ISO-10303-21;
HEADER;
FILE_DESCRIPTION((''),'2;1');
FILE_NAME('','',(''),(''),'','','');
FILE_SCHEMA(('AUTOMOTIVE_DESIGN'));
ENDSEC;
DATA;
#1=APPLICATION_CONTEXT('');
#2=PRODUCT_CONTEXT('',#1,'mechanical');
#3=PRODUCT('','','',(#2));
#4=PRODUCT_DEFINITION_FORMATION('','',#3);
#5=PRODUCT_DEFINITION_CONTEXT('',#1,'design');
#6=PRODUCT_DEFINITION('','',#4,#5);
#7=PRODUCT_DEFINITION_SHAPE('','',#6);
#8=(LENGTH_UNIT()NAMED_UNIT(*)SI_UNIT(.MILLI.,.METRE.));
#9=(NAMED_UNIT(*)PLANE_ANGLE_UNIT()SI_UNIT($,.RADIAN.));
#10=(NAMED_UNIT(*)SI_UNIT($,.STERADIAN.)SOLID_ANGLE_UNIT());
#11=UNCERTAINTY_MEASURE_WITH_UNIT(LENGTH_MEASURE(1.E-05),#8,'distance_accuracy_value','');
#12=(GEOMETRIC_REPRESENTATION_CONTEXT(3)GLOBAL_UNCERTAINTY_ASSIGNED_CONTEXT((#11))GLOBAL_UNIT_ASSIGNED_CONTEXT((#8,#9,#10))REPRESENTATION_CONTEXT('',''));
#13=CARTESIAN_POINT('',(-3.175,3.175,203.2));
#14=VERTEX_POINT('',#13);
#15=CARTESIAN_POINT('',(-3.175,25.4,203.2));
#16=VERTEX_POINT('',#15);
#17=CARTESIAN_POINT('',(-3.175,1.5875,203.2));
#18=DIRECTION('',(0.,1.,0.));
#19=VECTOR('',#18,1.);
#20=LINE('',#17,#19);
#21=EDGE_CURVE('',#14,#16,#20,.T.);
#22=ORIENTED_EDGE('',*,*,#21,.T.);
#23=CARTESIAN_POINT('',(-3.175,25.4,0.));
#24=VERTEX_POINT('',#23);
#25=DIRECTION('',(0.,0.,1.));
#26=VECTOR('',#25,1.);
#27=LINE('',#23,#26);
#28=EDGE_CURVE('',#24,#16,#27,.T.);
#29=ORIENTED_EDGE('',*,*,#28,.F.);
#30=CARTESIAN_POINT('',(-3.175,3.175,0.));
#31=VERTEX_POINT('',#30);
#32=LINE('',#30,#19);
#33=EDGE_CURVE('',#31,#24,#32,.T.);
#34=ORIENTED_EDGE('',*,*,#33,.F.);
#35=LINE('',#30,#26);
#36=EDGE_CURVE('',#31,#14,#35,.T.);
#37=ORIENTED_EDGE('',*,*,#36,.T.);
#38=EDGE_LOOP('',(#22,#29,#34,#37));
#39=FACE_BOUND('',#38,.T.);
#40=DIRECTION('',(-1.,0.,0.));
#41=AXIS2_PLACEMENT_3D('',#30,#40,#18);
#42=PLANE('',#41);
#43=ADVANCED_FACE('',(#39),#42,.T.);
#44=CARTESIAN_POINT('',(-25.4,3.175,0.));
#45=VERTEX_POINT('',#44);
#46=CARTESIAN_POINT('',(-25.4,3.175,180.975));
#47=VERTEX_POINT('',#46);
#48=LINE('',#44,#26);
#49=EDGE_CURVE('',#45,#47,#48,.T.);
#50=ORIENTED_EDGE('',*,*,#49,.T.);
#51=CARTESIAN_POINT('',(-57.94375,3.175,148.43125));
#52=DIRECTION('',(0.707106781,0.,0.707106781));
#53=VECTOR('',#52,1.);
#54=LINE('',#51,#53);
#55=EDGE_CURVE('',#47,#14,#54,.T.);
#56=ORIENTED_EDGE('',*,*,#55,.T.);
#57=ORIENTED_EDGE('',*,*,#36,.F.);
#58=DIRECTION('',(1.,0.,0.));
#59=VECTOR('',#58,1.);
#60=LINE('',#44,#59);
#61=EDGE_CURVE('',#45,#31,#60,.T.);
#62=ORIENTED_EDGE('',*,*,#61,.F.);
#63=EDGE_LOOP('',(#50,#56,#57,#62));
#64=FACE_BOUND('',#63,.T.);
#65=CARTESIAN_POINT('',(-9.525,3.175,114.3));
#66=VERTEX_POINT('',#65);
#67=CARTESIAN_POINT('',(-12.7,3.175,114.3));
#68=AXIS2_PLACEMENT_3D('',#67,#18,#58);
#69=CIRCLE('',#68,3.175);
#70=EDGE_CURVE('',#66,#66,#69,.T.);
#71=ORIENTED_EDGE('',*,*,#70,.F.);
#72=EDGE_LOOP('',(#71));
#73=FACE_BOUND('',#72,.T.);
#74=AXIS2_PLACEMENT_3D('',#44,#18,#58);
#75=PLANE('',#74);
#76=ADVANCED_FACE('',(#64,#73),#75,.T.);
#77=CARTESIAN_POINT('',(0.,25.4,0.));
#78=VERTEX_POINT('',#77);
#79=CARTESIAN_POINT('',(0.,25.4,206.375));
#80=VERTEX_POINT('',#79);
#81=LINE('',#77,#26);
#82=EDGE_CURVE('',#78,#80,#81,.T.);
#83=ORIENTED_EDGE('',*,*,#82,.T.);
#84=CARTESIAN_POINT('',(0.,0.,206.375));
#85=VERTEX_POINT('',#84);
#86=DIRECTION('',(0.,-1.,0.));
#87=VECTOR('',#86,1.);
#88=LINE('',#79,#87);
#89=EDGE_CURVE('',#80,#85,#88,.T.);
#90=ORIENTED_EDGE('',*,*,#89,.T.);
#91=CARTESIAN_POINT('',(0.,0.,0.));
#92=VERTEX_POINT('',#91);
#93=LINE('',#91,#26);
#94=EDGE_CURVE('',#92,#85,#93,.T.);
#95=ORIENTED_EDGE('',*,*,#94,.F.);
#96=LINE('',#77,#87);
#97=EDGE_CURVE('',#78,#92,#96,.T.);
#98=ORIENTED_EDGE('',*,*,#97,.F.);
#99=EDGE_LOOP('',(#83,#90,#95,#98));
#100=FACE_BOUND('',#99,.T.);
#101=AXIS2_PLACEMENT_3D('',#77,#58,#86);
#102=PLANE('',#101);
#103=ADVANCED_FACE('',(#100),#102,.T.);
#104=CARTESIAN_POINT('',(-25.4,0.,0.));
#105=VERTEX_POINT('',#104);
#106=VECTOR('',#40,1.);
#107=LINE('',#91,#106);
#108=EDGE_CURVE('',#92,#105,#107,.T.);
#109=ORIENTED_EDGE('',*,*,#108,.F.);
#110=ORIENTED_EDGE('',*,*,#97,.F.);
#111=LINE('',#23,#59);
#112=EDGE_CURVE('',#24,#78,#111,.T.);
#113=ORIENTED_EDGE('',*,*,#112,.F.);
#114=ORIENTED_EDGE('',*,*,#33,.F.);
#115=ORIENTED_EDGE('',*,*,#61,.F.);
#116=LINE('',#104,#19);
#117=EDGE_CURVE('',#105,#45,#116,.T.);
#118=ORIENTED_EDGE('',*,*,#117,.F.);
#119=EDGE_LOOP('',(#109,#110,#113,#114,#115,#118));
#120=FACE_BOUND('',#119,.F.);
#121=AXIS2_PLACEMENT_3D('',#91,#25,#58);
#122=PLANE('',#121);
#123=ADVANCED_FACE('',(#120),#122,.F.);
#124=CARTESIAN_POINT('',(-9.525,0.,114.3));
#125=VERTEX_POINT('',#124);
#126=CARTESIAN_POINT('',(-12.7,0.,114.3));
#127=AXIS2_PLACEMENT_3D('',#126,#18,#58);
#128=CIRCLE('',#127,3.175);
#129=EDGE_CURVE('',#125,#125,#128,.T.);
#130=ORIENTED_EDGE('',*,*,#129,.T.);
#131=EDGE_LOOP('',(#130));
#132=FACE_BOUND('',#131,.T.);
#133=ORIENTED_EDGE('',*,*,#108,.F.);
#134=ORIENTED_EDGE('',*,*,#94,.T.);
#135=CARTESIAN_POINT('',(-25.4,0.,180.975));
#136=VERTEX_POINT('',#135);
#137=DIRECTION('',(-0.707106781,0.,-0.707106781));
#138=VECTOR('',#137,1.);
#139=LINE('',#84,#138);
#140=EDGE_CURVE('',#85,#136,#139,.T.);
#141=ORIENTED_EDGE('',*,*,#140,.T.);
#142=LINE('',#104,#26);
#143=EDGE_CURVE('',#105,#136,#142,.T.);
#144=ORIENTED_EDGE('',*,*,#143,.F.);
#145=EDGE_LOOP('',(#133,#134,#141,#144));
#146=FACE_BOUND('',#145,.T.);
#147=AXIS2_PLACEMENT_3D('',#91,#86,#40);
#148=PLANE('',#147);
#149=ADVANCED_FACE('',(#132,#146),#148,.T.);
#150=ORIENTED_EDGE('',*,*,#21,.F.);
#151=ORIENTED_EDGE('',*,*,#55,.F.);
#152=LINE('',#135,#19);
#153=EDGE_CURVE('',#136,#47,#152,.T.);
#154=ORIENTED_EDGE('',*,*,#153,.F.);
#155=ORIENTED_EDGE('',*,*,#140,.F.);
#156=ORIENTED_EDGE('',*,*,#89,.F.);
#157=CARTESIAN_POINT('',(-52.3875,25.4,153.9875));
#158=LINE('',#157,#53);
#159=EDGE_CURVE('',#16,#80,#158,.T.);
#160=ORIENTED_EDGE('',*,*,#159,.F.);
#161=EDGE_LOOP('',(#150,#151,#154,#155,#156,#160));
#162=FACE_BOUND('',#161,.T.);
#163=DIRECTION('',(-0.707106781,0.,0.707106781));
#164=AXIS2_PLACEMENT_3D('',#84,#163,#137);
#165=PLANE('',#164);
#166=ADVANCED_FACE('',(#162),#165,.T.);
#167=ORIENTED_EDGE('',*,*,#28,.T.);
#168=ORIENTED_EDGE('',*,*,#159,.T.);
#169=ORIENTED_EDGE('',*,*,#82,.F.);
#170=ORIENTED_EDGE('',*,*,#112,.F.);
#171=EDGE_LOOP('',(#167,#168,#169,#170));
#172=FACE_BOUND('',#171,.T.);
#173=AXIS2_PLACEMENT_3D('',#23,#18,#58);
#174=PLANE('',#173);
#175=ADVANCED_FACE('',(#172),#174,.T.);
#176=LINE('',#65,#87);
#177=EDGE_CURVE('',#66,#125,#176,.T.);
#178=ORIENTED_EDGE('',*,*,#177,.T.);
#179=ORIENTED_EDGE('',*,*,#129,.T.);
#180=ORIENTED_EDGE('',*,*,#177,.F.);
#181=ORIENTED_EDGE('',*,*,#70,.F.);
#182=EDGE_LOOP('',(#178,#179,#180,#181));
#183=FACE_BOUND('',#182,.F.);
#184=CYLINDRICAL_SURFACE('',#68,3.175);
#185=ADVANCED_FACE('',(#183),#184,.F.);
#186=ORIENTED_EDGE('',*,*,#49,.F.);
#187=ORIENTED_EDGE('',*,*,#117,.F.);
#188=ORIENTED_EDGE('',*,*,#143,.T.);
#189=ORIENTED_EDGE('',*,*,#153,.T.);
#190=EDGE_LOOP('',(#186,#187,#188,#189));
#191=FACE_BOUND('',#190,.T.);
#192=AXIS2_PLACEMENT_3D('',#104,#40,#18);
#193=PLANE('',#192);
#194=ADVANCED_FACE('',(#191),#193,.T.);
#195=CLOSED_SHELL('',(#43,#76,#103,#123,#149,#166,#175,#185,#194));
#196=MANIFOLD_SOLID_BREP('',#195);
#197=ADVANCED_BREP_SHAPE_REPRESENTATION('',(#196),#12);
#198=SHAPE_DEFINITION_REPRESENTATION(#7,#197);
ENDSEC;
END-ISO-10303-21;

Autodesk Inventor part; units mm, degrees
ref_plane "YZ Plane" through (0, 0, 0) normal (1, 0, 0) x (0, 1, 0)
ref_plane "XZ Plane" through (0, 0, 0) normal (0, 1, 0) x (-1, 0, 0)
ref_plane "XY Plane" through (0, 0, 0) normal (0, 0, 1) x (1, 0, 0)
sketch "Sketch1" plane through (0, 0, 0) normal (0, 0, 1) x (1, 0, 0)
  line L0 (-25.4, 3.175) -> (-3.175, 3.175)
  line L1 (0, 0) -> (-25.4, 0)
  line L2 (-25.4, 0) -> (-25.4, 3.175)
  line L3 (-3.175, 3.175) -> (-3.175, 25.4)
  line L4 (-3.175, 25.4) -> (0, 25.4)
  line L5 (0, 25.4) -> (0, 0)
  dimension "d0" = 25.4
  dimension "d1" = 25.4
  dimension "d2" = 3.175
  dimension "d3" = 3.175
extrude "Extrusion1" add sketch "Sketch1" along normal blind 206.375
sketch "Sketch2" plane through (-25.4, 0, 0) normal (0, -1, 0) x (1, 0, 0)
  line L0 (25.4, 206.375) -> (0, 206.375) projected
  line L1 (0, 0) -> (0, 206.375) projected
  line L2 (25.4, 0) -> (25.4, 206.375) projected
  line L3 (25.4, 206.375) -> (0, 180.975)
  dimension "d6" = 45
extrude "Extrusion2" cut sketch "Sketch2" against normal blind 177.8
sketch "Sketch3" plane through (-25.4, 3.175, 0) normal (0, 1, 0) x (1, 0, 0)
  line L0 (22.225, 0) -> (22.225, -203.2) projected
  line L1 (0, 0) -> (22.225, 0) projected
  circle A0 centre (12.7, -114.3) radius 3.175
  point P0 (25.4, 0)
  dimension "d9" = 6.35
  dimension "d10" = 114.3
  dimension "d11" = 9.525
extrude "Extrusion3" cut sketch "Sketch3" against normal blind 25.4
properties part number "L frame"
